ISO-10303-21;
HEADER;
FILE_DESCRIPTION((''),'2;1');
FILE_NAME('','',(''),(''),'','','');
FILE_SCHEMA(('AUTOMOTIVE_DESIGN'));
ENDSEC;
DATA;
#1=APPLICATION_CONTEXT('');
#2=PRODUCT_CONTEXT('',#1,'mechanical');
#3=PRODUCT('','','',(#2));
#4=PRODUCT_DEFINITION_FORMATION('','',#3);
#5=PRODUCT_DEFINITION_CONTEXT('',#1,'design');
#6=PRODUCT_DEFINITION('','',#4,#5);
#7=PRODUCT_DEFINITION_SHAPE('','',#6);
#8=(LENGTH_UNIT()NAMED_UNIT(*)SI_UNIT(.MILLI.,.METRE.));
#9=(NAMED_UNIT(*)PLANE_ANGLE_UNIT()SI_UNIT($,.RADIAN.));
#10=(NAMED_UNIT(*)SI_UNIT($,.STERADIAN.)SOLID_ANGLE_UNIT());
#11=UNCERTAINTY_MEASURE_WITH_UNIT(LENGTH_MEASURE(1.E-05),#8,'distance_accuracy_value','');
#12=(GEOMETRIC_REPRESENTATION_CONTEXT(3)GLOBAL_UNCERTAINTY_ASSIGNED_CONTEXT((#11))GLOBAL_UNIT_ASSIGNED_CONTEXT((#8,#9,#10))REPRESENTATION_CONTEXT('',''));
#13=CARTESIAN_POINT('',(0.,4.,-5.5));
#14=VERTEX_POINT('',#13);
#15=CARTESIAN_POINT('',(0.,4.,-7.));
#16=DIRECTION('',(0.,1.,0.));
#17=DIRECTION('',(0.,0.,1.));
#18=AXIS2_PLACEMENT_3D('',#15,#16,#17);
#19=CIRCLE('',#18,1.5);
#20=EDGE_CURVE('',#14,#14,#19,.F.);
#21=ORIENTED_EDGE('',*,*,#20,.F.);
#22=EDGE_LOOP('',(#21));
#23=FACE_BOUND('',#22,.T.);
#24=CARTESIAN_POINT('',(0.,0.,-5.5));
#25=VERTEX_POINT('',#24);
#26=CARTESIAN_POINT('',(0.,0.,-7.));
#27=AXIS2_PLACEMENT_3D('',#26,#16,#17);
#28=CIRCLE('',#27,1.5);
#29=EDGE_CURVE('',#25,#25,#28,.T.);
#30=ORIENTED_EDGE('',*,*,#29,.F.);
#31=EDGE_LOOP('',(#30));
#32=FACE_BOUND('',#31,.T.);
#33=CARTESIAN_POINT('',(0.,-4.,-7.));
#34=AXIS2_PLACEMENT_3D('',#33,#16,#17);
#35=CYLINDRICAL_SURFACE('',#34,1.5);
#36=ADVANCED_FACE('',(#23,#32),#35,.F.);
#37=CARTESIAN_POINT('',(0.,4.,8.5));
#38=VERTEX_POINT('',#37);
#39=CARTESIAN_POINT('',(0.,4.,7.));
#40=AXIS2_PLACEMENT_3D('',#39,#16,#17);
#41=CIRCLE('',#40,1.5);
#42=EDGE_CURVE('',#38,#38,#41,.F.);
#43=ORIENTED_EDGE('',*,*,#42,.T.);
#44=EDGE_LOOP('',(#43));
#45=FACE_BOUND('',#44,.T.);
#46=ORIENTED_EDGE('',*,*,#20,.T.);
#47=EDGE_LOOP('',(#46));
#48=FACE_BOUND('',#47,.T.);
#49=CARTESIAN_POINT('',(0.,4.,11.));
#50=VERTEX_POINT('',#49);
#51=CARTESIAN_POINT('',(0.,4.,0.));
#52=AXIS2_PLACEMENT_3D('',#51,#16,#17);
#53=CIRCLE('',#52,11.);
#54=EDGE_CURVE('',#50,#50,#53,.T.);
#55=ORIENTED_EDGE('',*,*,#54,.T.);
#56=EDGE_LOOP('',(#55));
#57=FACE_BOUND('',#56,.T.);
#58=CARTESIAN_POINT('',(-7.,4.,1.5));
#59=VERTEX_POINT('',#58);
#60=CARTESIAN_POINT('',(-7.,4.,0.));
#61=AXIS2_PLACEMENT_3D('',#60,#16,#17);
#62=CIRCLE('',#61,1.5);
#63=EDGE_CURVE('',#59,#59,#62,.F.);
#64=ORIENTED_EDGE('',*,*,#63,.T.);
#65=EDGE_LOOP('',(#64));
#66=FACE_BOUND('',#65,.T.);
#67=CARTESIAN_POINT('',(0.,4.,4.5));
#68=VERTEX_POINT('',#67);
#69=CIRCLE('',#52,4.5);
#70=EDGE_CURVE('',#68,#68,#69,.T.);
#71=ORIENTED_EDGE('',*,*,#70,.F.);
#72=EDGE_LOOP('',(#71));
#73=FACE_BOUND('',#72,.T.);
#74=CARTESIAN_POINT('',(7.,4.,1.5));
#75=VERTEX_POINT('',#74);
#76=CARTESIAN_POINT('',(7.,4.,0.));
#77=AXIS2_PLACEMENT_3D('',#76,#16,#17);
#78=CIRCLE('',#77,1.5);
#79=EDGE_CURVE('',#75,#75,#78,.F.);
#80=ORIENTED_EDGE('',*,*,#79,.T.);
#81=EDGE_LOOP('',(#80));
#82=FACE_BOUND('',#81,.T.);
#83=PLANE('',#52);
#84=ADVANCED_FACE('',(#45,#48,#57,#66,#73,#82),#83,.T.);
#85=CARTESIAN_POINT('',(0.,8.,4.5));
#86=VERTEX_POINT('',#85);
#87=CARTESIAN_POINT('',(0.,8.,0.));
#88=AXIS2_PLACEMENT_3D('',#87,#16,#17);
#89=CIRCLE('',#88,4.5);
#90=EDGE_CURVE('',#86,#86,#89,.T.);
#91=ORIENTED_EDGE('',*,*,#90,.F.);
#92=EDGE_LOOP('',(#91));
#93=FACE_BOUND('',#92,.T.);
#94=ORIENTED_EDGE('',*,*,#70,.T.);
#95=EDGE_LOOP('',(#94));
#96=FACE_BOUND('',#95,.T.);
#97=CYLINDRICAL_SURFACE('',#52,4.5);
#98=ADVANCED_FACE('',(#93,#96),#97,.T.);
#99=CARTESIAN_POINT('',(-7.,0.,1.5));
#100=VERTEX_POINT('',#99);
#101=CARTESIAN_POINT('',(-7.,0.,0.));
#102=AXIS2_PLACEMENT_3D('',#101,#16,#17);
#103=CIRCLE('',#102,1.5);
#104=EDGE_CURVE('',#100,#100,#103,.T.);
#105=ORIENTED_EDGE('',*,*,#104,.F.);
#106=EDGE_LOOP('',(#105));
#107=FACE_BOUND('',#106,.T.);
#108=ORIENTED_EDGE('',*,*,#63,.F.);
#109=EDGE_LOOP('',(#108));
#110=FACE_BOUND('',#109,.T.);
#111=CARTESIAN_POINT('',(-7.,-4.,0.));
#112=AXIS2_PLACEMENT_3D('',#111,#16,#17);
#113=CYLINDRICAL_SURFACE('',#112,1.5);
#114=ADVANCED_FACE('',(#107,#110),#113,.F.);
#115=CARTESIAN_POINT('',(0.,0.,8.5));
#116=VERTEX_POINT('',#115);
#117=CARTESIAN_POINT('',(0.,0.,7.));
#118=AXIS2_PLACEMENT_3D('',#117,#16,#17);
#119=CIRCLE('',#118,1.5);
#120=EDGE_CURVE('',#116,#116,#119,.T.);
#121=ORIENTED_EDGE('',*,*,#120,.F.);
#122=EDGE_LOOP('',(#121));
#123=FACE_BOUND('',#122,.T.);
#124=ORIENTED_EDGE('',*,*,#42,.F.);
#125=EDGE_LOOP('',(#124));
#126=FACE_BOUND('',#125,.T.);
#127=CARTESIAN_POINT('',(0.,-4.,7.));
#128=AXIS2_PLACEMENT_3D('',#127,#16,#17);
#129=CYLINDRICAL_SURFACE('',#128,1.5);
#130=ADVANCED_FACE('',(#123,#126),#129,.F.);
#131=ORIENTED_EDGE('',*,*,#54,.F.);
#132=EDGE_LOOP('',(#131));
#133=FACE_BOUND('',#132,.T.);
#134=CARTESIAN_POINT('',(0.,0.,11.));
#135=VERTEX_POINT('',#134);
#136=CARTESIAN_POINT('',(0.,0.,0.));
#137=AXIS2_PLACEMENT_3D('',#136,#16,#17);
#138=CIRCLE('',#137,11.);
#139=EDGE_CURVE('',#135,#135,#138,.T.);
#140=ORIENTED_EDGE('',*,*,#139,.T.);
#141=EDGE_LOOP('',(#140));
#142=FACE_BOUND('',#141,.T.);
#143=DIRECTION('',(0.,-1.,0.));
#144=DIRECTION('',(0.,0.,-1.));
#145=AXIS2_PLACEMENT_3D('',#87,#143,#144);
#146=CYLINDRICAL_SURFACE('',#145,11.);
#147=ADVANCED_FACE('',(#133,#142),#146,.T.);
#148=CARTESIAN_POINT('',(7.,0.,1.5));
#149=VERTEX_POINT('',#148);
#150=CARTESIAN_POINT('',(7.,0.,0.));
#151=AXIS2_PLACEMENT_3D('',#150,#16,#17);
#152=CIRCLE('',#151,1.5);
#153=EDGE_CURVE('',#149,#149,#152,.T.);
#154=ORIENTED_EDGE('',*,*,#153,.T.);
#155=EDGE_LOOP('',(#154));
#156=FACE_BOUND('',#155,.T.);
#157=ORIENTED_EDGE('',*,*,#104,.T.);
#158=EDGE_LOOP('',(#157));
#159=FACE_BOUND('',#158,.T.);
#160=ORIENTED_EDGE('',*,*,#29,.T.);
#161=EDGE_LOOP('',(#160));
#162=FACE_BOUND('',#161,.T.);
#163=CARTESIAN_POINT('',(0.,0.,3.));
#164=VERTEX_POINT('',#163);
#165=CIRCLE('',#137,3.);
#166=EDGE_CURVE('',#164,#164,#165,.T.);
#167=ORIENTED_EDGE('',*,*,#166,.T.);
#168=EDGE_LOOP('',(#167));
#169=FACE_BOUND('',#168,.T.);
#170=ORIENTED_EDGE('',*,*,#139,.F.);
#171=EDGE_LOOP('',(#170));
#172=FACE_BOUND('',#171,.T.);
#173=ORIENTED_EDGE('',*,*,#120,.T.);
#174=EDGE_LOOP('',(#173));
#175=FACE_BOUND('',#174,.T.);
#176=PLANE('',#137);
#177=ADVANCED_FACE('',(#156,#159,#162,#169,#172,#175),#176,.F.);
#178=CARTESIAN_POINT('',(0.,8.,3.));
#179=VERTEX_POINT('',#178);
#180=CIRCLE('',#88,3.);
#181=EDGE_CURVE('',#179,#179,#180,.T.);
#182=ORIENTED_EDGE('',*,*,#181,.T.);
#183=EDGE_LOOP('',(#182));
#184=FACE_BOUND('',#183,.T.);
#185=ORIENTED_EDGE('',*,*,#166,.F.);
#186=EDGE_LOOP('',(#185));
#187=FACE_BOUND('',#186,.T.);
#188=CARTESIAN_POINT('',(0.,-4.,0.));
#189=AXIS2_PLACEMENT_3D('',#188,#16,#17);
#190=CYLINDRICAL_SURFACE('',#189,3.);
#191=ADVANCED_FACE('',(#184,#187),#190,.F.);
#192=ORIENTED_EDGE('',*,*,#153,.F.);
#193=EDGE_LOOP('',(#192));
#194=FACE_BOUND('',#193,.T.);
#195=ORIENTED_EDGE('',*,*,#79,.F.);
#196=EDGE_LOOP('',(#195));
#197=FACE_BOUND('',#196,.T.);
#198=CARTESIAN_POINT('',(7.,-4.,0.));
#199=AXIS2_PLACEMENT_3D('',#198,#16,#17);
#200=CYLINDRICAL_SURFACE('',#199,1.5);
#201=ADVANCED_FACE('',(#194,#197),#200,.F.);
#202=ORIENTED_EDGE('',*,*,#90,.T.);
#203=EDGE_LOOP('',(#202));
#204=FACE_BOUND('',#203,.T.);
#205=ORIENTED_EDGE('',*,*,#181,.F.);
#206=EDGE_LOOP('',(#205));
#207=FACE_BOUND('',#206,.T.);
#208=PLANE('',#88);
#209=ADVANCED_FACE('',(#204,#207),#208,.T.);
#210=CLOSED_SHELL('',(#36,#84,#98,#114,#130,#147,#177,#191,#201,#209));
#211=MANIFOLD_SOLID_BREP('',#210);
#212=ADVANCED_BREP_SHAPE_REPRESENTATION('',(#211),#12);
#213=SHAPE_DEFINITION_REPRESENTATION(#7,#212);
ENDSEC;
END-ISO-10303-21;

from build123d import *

# Parameters (mm, degrees)
SKETCH1_R           = 11
BOSS_EXTRUDE2_DEPTH = 8
SKETCH3_R           = 3
SKETCH3_R_2         = 1.5
CUT_EXTRUDE2_DEPTH  = 12
CUT_EXTRUDE3_START  = -4
SKETCH4_R           = 11
SKETCH4_R_2         = 4.5
CUT_EXTRUDE3_DEPTH  = 4


with BuildPart() as part:
    # Sketch1 → Boss-Extrude2 (new body)
    with BuildSketch(Plane(origin=(0, 0, 0), x_dir=(1, 0, 0), z_dir=(0, 1, 0))):
        with Locations(Location((0, 0, 0), (0, 0, 270))):
            Circle(SKETCH1_R)
    extrude(amount=BOSS_EXTRUDE2_DEPTH)

    # Sketch3 → Cut-Extrude2 (cut)
    with BuildSketch(Plane(origin=(0, 8, 0), x_dir=(1, 0, 0), z_dir=(0, 1, 0))):
        with Locations(Location((0, 0, 0), (0, 0, 270))):
            Circle(SKETCH3_R)
        with Locations(Location((-7, 0, 0), (0, 0, 270))):
            Circle(SKETCH3_R_2)
        with Locations(Location((0, 7, 0), (0, 0, 270))):
            Circle(SKETCH3_R_2)
        with Locations(Location((7, 0, 0), (0, 0, 270))):
            Circle(SKETCH3_R_2)
        with Locations(Location((0, -7, 0), (0, 0, 270))):
            Circle(SKETCH3_R_2)
    extrude(amount=-CUT_EXTRUDE2_DEPTH, mode=Mode.SUBTRACT)

    # Sketch4 → Cut-Extrude3 (cut)
    with BuildSketch(Plane(origin=(0, 8, 0), x_dir=(1, 0, 0), z_dir=(0, 1, 0)).offset(CUT_EXTRUDE3_START)):
        with Locations(Location((0, 0, 0), (0, 0, 270))):
            Circle(SKETCH4_R)
        with Locations(Location((0, 0, 0), (0, 0, 270))):
            Circle(SKETCH4_R_2, mode=Mode.SUBTRACT)
    extrude(amount=CUT_EXTRUDE3_DEPTH, mode=Mode.SUBTRACT)


solid = part.part
